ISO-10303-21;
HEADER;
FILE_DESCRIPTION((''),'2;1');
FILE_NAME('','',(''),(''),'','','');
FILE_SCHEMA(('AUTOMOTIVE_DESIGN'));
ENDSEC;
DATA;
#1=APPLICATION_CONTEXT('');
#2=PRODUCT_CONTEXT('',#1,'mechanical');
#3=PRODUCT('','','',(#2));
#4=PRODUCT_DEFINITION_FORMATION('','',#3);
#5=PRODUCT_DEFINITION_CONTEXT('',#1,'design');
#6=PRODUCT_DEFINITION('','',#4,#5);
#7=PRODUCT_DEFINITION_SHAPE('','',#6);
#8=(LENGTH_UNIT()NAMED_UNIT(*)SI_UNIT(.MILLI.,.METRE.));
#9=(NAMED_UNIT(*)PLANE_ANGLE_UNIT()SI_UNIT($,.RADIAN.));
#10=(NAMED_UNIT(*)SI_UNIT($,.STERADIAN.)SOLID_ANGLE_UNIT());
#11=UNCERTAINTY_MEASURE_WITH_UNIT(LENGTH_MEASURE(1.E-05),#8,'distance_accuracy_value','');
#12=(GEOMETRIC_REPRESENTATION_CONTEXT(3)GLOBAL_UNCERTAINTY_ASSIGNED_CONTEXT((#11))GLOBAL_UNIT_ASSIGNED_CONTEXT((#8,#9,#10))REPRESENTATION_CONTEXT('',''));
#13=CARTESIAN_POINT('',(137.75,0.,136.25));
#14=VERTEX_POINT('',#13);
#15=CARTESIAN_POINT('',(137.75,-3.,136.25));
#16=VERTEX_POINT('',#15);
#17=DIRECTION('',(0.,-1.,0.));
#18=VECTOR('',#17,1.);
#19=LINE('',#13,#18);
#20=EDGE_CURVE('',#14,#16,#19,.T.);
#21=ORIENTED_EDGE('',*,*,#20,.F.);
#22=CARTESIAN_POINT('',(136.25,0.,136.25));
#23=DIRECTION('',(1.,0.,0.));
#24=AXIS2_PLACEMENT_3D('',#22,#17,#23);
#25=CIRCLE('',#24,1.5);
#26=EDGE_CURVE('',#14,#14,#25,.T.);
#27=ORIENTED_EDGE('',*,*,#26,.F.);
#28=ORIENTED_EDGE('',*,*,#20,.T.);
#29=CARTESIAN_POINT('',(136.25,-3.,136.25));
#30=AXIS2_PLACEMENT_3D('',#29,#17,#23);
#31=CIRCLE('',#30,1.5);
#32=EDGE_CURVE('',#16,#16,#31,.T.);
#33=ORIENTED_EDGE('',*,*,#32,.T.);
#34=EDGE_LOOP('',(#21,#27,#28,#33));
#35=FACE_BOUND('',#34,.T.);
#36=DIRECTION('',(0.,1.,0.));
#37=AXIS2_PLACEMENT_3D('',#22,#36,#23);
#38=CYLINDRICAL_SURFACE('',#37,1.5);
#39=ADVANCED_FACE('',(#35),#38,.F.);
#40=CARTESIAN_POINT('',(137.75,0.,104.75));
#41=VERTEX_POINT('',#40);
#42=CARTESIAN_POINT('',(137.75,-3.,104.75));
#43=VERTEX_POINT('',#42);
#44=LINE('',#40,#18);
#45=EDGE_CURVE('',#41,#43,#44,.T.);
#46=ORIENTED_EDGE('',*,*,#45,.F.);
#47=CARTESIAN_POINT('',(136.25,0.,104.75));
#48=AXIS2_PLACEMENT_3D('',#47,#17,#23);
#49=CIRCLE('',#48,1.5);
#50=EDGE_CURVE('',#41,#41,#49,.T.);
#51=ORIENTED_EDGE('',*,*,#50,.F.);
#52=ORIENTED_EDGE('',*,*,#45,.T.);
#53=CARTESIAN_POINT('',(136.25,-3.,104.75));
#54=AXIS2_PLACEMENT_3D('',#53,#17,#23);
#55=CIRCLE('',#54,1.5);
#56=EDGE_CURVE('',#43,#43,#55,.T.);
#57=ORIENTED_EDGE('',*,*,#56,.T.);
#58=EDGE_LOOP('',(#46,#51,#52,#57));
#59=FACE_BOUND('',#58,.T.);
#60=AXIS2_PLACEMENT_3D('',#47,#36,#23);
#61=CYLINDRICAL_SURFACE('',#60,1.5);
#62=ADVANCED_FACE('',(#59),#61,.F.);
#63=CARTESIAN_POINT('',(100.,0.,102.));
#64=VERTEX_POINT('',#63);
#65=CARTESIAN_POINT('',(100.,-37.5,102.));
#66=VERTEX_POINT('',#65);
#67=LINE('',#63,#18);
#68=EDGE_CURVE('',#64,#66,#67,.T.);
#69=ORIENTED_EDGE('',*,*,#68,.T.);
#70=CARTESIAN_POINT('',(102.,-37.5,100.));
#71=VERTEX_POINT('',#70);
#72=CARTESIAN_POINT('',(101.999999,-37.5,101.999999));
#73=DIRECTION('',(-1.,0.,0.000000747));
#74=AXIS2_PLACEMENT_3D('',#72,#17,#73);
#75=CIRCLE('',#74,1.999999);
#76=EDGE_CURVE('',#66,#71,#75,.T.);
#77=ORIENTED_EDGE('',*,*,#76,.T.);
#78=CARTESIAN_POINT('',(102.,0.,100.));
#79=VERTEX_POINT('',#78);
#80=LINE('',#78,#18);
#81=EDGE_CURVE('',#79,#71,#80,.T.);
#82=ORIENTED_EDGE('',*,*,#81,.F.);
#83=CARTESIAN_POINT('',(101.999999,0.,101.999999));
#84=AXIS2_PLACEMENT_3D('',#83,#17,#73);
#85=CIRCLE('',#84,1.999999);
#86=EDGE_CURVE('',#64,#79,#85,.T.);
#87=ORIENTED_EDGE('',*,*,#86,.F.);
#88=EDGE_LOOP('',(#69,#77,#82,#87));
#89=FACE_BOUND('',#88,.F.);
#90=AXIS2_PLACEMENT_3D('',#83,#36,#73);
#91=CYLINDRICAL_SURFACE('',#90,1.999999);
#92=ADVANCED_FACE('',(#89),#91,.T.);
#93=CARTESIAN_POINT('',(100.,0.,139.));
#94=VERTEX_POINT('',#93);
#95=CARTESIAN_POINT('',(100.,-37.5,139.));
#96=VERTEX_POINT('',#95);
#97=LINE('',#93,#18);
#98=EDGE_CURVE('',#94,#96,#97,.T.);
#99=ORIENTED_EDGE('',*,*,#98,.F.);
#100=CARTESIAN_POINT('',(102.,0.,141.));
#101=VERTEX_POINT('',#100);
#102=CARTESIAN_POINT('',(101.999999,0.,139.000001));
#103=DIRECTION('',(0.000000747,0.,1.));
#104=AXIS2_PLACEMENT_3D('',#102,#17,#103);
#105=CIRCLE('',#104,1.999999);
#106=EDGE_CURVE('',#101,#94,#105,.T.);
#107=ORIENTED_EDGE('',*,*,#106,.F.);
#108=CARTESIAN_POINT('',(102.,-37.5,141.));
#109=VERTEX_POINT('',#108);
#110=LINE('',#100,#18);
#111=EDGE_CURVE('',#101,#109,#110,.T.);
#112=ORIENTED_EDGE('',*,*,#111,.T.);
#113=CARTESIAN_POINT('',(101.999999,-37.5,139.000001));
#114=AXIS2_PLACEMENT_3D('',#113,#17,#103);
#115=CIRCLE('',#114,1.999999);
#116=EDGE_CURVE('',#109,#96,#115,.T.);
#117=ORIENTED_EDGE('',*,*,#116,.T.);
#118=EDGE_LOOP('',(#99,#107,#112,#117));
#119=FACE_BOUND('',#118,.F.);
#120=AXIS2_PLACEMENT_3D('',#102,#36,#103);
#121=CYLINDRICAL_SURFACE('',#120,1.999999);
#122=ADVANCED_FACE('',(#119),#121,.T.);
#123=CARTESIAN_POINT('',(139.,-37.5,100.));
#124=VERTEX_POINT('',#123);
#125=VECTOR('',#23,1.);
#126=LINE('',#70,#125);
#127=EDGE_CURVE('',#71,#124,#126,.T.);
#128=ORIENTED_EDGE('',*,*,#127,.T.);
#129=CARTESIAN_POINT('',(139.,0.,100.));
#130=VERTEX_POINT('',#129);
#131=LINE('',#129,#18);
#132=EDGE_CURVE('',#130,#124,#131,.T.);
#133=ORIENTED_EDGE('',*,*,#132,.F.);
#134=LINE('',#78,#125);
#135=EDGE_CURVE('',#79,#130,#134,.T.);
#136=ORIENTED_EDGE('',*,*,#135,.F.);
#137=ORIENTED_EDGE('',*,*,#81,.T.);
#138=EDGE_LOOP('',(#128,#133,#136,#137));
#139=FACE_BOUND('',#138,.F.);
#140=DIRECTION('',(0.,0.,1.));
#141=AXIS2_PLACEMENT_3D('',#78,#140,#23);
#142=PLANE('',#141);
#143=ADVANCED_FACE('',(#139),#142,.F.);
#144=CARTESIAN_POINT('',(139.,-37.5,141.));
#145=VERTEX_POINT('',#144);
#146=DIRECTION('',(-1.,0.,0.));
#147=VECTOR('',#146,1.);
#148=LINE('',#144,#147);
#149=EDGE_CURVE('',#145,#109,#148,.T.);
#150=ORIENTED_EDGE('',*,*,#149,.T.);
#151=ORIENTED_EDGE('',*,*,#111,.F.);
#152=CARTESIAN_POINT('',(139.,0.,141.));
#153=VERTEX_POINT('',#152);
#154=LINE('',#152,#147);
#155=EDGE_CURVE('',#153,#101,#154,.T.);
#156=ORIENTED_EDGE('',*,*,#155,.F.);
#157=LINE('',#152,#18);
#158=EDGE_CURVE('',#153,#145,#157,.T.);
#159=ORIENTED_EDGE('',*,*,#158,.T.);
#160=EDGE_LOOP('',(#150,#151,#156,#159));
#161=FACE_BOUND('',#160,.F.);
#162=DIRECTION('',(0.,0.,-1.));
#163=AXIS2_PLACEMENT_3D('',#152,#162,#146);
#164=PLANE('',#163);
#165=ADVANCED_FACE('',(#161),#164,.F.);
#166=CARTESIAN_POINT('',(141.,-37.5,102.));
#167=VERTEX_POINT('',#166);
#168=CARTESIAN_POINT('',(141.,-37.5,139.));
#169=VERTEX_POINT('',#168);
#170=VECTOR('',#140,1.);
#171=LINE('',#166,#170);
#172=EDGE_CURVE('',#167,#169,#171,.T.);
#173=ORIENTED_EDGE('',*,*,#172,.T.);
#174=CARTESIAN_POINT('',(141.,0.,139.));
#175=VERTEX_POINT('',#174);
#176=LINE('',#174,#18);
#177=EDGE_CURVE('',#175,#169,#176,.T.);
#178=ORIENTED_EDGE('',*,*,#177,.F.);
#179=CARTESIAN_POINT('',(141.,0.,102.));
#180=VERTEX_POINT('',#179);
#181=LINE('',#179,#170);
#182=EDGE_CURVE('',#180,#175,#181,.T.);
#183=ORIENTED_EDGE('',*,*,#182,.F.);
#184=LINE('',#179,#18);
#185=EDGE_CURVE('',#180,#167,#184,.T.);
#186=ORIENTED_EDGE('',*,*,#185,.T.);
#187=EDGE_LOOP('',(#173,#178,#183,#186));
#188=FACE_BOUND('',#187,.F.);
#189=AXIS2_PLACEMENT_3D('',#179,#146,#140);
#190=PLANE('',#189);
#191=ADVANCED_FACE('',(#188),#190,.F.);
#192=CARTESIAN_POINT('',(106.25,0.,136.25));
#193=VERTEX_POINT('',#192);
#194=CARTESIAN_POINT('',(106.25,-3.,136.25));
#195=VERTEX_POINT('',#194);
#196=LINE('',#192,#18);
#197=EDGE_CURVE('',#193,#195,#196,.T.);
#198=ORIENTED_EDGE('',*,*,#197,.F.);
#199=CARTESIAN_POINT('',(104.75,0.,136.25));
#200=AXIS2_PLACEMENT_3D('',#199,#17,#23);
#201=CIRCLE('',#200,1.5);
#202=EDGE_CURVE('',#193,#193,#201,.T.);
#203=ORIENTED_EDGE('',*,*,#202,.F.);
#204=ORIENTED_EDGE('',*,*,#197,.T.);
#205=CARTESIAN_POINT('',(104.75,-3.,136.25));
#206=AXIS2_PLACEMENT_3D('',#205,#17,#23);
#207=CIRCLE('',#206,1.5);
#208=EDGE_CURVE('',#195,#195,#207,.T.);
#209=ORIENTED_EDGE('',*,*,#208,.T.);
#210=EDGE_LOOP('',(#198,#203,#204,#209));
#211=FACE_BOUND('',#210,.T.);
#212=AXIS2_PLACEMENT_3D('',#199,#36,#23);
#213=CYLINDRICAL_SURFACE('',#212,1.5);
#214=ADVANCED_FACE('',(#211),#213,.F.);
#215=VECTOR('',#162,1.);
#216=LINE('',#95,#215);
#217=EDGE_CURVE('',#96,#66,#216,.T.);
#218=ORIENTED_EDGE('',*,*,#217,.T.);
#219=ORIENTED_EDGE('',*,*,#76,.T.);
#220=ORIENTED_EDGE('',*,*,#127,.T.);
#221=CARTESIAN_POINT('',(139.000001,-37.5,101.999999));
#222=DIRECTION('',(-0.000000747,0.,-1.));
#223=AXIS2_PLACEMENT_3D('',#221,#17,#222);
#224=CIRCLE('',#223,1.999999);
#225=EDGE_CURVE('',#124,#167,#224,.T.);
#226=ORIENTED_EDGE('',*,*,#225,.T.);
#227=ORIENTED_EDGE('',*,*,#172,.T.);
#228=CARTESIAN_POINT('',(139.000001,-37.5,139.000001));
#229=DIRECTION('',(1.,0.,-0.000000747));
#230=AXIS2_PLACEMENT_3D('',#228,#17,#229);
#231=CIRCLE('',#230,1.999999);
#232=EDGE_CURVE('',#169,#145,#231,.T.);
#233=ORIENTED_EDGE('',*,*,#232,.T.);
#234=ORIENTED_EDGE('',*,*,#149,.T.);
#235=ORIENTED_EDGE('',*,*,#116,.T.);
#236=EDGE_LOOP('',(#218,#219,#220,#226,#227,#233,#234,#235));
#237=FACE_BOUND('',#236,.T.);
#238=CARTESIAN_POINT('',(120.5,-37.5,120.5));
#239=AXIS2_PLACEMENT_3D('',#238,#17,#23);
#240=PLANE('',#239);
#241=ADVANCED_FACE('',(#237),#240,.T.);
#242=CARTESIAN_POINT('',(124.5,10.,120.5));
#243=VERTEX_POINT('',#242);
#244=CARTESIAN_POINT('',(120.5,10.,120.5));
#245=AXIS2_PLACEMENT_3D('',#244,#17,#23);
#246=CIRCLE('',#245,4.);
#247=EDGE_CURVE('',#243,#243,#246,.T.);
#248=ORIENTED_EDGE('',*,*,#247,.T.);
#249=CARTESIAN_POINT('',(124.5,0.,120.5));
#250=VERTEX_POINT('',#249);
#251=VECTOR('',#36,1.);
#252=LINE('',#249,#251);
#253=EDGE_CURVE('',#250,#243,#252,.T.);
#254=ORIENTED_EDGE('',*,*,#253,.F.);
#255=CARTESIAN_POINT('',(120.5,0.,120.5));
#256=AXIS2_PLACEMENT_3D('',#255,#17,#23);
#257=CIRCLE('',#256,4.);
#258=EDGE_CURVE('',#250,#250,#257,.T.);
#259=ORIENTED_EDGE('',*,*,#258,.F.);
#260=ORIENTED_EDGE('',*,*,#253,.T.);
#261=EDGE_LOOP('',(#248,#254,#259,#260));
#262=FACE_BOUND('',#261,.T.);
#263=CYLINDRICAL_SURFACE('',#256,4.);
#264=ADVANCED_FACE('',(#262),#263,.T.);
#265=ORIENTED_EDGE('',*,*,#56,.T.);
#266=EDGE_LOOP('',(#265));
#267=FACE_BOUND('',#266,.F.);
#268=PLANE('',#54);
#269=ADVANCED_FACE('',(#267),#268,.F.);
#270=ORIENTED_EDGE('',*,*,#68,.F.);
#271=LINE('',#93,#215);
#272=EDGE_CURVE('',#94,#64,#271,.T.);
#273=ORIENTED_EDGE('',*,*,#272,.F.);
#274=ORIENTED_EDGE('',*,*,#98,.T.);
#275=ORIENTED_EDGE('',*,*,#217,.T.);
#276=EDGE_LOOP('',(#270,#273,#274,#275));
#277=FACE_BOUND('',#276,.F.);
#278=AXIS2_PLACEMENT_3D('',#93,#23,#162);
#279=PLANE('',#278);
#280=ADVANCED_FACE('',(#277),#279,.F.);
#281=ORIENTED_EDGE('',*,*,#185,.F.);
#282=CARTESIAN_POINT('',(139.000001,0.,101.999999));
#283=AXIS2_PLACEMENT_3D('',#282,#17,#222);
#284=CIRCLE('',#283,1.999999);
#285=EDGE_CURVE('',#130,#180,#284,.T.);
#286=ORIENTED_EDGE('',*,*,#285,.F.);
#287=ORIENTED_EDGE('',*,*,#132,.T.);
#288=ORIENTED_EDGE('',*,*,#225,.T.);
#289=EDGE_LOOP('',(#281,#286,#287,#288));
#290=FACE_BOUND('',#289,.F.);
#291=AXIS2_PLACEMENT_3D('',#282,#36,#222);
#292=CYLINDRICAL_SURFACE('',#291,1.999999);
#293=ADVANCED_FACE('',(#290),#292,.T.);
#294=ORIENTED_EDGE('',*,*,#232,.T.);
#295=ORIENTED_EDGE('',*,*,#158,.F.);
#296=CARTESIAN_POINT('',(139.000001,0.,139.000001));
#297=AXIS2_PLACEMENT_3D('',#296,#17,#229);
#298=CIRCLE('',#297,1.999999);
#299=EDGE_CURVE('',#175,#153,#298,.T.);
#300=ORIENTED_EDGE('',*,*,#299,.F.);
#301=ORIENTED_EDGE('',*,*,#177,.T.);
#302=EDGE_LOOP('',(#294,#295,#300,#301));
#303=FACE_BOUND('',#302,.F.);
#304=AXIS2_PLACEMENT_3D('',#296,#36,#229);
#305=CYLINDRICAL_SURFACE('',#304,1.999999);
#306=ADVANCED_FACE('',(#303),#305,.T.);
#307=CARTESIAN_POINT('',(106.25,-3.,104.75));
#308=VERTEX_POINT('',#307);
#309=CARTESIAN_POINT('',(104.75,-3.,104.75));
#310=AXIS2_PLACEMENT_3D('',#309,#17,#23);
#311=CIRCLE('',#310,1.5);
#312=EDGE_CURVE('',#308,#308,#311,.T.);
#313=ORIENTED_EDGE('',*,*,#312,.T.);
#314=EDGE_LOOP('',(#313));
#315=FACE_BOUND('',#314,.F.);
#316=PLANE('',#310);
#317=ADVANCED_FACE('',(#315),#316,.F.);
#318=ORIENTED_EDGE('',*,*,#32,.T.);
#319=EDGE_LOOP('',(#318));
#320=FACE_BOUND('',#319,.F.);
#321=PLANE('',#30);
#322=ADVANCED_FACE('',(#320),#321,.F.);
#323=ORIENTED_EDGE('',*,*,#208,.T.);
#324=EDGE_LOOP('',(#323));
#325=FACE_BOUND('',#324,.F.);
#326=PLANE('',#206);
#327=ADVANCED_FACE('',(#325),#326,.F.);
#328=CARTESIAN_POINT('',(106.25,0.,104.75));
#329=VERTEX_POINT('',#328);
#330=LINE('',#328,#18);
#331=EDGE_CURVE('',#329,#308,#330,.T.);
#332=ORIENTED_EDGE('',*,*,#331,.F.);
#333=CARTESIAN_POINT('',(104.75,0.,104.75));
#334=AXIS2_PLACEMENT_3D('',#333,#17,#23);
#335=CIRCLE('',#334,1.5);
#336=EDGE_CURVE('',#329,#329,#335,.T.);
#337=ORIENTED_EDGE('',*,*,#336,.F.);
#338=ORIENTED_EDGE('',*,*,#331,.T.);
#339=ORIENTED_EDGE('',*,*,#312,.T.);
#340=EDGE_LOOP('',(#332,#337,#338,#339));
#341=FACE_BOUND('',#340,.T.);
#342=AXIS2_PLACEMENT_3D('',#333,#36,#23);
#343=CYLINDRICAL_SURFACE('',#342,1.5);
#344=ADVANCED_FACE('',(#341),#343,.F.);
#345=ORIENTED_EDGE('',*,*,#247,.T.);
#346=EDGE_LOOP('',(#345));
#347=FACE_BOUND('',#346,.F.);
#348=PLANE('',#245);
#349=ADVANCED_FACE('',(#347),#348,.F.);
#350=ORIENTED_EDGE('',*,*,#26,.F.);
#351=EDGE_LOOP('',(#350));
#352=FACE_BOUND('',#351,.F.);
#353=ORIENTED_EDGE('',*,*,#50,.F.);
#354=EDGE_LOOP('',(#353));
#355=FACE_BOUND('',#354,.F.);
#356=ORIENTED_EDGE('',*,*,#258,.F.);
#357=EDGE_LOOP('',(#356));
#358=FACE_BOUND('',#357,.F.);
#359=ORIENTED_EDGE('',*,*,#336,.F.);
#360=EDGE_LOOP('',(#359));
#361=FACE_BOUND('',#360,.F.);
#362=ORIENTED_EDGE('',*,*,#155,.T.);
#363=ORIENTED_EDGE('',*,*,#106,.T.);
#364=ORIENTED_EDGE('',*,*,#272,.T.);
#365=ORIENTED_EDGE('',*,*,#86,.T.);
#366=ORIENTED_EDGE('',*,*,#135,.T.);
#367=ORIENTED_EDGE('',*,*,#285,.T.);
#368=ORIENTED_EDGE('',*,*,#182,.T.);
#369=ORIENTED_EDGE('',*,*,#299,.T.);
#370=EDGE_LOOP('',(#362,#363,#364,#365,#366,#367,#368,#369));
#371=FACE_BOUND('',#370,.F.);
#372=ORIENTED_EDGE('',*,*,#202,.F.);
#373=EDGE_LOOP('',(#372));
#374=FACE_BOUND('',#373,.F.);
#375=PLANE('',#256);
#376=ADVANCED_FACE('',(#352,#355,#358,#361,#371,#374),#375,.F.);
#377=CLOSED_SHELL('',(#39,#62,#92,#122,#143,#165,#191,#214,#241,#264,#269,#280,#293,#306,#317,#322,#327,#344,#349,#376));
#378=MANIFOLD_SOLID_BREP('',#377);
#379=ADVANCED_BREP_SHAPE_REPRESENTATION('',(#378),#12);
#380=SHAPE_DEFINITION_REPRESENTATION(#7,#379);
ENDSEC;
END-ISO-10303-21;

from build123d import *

# Parameters (mm, degrees)
F1_R     = 1.5
F1_R_2   = 4
F2_DEPTH = 37.5
F3_DEPTH = 3
F4_DEPTH = 10


with BuildPart() as f2:
    # F1 (on Front) → F2 (new body)
    with BuildSketch(Plane.XZ):
        with BuildLine():
            ThreePointArc((100, 102), (100.585786, 100.585786), (102, 100))
            Line((102, 100), (139, 100))
            ThreePointArc((139, 100), (140.414214, 100.585786), (141, 102))
            Line((141, 102), (141, 139))
            ThreePointArc((141, 139), (140.414214, 140.414214), (139, 141))
            Line((139, 141), (102, 141))
            ThreePointArc((102, 141), (100.585786, 140.414214), (100, 139))
            Line((100, 139), (100, 102))
        make_face()
        with Locations((104.75, 104.75)):
            Circle(F1_R, mode=Mode.SUBTRACT)
        with Locations((136.25, 104.75)):
            Circle(F1_R, mode=Mode.SUBTRACT)
        with Locations((104.75, 136.25)):
            Circle(F1_R, mode=Mode.SUBTRACT)
        with Locations((120.5, 120.5)):
            Circle(F1_R_2, mode=Mode.SUBTRACT)
        with Locations((136.25, 136.25)):
            Circle(F1_R, mode=Mode.SUBTRACT)
        with Locations((104.75, 136.25)):
            Circle(F1_R)
        with Locations((136.25, 136.25)):
            Circle(F1_R)
        with Locations((120.5, 120.5)):
            Circle(F1_R_2)
        with Locations((136.25, 104.75)):
            Circle(F1_R)
        with Locations((104.75, 104.75)):
            Circle(F1_R)
    extrude(amount=F2_DEPTH)

    # F1 (on Front) → F3 (cut)
    with BuildSketch(Plane.XZ):
        with Locations((136.25, 104.75)):
            Circle(F1_R)
        with Locations((104.75, 104.75)):
            Circle(F1_R)
        with Locations((136.25, 136.25)):
            Circle(F1_R)
        with Locations((104.75, 136.25)):
            Circle(F1_R)
    extrude(amount=F3_DEPTH, mode=Mode.SUBTRACT)

    # F1 (on Front) → F4 (join)
    with BuildSketch(Plane.XZ):
        with Locations((120.5, 120.5)):
            Circle(F1_R_2)
    extrude(amount=-F4_DEPTH)


solid = f2.part
